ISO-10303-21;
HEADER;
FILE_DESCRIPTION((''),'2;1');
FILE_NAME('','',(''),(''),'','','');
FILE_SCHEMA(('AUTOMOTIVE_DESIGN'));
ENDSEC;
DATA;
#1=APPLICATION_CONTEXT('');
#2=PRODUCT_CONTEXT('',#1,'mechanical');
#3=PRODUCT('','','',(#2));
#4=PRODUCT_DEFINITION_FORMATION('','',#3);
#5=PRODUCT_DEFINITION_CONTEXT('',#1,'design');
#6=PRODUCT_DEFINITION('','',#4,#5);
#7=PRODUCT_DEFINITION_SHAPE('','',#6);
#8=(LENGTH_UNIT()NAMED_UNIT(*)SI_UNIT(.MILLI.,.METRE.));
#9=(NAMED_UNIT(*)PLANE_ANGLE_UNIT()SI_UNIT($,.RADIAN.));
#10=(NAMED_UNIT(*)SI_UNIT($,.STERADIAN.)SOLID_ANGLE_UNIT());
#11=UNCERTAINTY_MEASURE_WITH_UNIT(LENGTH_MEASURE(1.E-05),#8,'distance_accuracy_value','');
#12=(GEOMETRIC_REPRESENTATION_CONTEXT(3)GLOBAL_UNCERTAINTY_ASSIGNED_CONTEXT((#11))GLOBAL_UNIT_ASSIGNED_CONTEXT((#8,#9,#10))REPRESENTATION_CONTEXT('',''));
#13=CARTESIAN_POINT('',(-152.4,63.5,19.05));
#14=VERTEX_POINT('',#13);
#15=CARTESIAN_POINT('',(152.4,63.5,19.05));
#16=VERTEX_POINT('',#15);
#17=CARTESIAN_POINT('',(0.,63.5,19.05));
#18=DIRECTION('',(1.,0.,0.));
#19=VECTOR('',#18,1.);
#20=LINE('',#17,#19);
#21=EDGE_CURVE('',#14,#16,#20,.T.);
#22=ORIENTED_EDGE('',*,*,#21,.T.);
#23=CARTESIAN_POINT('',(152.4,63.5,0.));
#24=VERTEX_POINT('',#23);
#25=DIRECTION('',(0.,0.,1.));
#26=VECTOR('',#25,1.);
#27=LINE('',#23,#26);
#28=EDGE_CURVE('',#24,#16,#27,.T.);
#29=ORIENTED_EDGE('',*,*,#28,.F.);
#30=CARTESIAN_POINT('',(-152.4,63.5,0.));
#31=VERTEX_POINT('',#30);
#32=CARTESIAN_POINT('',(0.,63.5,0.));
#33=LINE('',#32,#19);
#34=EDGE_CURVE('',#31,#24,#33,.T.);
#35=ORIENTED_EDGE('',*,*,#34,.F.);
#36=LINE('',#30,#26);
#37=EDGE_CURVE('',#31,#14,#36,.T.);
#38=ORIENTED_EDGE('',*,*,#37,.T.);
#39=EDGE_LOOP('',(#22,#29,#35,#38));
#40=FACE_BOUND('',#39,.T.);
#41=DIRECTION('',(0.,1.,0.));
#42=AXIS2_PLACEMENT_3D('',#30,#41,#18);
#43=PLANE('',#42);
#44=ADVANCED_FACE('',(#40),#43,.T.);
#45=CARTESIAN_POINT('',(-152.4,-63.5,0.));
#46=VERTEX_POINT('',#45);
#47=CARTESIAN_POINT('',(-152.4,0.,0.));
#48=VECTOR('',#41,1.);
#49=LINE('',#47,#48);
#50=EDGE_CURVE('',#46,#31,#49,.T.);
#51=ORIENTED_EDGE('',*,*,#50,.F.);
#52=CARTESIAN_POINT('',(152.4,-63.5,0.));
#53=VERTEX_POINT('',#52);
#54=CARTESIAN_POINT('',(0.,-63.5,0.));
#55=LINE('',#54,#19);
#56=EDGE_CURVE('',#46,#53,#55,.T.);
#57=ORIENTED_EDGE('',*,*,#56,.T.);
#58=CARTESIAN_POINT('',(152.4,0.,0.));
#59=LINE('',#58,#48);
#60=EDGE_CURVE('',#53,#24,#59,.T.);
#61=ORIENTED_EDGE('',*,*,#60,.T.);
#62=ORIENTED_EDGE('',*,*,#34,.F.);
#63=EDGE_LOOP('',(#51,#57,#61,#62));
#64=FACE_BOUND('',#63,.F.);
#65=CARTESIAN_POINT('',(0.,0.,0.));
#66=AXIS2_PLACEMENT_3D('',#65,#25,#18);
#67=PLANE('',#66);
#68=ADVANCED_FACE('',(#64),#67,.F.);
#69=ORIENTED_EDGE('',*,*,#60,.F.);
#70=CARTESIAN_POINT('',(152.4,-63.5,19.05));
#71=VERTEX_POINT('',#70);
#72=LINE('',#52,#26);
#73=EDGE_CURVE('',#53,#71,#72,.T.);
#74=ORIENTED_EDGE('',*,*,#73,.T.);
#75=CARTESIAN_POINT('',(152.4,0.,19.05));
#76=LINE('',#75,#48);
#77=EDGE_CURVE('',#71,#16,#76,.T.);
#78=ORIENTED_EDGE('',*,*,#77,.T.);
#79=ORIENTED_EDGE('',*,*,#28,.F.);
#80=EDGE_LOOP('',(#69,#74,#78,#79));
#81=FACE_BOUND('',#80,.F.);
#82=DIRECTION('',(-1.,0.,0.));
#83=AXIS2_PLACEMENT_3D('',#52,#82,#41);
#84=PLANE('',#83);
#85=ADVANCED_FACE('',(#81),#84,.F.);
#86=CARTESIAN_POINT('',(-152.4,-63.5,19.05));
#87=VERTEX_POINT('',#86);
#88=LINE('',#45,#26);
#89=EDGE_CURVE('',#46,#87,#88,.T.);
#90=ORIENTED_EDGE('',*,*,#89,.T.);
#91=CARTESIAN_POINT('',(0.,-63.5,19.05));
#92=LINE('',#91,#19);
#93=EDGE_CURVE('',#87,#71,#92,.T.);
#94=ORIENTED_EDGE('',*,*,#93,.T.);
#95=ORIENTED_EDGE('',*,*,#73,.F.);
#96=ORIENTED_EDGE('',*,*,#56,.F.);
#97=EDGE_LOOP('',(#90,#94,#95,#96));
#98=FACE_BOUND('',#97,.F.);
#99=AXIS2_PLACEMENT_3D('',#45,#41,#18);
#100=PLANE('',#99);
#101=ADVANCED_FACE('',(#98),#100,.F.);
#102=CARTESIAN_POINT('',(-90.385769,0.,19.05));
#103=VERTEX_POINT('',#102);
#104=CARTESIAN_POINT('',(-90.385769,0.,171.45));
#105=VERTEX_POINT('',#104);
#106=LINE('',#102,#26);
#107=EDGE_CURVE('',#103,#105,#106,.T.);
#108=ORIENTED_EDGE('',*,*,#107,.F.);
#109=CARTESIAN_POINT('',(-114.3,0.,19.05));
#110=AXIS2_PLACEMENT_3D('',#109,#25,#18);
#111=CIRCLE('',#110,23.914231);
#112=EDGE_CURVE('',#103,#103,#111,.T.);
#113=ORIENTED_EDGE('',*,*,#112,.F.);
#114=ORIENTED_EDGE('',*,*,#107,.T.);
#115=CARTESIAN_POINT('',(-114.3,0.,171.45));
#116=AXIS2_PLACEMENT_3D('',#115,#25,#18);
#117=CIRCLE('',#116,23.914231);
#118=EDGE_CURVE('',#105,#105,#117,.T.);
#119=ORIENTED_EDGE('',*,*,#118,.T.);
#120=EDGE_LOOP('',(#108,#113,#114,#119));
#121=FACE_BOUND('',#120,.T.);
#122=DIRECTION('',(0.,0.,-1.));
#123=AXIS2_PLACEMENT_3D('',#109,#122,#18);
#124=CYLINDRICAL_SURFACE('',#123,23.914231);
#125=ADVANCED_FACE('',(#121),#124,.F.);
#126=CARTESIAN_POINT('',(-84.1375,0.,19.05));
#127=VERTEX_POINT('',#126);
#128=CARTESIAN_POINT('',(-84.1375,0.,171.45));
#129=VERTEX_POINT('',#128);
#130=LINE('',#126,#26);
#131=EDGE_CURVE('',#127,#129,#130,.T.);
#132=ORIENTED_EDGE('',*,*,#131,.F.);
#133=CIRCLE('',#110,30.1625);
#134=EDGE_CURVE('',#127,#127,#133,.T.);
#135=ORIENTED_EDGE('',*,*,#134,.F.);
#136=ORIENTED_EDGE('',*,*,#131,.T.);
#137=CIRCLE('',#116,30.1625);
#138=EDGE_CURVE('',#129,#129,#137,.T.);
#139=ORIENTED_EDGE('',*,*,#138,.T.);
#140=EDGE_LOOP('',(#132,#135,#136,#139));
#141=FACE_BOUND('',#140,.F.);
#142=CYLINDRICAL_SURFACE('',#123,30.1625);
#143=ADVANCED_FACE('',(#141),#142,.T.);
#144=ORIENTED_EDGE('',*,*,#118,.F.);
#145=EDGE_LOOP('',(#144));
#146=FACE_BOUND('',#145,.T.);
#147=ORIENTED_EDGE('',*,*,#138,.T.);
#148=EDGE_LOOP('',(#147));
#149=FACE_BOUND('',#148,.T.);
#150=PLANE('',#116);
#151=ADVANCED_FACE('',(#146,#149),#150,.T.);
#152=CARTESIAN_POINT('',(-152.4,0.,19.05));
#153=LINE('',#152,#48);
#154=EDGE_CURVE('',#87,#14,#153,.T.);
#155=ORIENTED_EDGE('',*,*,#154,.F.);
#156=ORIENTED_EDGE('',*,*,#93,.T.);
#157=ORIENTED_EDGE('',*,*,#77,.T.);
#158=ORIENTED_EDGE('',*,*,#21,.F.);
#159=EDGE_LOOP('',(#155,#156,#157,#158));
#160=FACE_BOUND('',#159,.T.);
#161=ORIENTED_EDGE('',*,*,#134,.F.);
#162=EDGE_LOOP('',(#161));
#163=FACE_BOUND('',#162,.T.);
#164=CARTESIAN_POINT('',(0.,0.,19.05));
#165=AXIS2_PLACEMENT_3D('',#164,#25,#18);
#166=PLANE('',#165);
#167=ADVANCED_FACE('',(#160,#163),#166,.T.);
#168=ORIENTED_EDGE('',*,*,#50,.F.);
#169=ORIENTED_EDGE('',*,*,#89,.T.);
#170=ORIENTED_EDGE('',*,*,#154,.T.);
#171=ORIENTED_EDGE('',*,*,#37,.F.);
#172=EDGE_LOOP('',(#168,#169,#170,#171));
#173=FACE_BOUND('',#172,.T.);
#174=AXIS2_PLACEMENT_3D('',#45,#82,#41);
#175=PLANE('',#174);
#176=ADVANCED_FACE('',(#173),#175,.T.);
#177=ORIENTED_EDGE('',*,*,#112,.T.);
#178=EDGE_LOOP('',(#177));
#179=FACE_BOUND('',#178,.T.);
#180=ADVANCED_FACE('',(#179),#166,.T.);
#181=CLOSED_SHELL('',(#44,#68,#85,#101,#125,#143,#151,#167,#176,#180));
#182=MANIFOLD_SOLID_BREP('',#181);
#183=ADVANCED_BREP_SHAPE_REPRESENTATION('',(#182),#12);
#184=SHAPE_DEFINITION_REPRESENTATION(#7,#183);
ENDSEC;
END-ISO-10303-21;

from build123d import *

# Parameters (mm, degrees)
F0_W     = 304.8
F0_H     = 127
F1_DEPTH = 19.05
F2_R     = 30.1625
F2_R_2   = 23.914231
F3_DEPTH = 152.4


with BuildPart() as f1:
    # F0 (on Top) → F1 (new body)
    with BuildSketch(Plane.XY):
        Rectangle(F0_W, F0_H)
    extrude(amount=F1_DEPTH)

    # F2 (on face) → F3 (join)
    with BuildSketch(Plane.XY.offset(19.05)):
        with Locations((-114.3, 0)):
            Circle(F2_R)
        with Locations((-114.3, 0)):
            Circle(F2_R_2, mode=Mode.SUBTRACT)
    extrude(amount=F3_DEPTH)


solid = f1.part
